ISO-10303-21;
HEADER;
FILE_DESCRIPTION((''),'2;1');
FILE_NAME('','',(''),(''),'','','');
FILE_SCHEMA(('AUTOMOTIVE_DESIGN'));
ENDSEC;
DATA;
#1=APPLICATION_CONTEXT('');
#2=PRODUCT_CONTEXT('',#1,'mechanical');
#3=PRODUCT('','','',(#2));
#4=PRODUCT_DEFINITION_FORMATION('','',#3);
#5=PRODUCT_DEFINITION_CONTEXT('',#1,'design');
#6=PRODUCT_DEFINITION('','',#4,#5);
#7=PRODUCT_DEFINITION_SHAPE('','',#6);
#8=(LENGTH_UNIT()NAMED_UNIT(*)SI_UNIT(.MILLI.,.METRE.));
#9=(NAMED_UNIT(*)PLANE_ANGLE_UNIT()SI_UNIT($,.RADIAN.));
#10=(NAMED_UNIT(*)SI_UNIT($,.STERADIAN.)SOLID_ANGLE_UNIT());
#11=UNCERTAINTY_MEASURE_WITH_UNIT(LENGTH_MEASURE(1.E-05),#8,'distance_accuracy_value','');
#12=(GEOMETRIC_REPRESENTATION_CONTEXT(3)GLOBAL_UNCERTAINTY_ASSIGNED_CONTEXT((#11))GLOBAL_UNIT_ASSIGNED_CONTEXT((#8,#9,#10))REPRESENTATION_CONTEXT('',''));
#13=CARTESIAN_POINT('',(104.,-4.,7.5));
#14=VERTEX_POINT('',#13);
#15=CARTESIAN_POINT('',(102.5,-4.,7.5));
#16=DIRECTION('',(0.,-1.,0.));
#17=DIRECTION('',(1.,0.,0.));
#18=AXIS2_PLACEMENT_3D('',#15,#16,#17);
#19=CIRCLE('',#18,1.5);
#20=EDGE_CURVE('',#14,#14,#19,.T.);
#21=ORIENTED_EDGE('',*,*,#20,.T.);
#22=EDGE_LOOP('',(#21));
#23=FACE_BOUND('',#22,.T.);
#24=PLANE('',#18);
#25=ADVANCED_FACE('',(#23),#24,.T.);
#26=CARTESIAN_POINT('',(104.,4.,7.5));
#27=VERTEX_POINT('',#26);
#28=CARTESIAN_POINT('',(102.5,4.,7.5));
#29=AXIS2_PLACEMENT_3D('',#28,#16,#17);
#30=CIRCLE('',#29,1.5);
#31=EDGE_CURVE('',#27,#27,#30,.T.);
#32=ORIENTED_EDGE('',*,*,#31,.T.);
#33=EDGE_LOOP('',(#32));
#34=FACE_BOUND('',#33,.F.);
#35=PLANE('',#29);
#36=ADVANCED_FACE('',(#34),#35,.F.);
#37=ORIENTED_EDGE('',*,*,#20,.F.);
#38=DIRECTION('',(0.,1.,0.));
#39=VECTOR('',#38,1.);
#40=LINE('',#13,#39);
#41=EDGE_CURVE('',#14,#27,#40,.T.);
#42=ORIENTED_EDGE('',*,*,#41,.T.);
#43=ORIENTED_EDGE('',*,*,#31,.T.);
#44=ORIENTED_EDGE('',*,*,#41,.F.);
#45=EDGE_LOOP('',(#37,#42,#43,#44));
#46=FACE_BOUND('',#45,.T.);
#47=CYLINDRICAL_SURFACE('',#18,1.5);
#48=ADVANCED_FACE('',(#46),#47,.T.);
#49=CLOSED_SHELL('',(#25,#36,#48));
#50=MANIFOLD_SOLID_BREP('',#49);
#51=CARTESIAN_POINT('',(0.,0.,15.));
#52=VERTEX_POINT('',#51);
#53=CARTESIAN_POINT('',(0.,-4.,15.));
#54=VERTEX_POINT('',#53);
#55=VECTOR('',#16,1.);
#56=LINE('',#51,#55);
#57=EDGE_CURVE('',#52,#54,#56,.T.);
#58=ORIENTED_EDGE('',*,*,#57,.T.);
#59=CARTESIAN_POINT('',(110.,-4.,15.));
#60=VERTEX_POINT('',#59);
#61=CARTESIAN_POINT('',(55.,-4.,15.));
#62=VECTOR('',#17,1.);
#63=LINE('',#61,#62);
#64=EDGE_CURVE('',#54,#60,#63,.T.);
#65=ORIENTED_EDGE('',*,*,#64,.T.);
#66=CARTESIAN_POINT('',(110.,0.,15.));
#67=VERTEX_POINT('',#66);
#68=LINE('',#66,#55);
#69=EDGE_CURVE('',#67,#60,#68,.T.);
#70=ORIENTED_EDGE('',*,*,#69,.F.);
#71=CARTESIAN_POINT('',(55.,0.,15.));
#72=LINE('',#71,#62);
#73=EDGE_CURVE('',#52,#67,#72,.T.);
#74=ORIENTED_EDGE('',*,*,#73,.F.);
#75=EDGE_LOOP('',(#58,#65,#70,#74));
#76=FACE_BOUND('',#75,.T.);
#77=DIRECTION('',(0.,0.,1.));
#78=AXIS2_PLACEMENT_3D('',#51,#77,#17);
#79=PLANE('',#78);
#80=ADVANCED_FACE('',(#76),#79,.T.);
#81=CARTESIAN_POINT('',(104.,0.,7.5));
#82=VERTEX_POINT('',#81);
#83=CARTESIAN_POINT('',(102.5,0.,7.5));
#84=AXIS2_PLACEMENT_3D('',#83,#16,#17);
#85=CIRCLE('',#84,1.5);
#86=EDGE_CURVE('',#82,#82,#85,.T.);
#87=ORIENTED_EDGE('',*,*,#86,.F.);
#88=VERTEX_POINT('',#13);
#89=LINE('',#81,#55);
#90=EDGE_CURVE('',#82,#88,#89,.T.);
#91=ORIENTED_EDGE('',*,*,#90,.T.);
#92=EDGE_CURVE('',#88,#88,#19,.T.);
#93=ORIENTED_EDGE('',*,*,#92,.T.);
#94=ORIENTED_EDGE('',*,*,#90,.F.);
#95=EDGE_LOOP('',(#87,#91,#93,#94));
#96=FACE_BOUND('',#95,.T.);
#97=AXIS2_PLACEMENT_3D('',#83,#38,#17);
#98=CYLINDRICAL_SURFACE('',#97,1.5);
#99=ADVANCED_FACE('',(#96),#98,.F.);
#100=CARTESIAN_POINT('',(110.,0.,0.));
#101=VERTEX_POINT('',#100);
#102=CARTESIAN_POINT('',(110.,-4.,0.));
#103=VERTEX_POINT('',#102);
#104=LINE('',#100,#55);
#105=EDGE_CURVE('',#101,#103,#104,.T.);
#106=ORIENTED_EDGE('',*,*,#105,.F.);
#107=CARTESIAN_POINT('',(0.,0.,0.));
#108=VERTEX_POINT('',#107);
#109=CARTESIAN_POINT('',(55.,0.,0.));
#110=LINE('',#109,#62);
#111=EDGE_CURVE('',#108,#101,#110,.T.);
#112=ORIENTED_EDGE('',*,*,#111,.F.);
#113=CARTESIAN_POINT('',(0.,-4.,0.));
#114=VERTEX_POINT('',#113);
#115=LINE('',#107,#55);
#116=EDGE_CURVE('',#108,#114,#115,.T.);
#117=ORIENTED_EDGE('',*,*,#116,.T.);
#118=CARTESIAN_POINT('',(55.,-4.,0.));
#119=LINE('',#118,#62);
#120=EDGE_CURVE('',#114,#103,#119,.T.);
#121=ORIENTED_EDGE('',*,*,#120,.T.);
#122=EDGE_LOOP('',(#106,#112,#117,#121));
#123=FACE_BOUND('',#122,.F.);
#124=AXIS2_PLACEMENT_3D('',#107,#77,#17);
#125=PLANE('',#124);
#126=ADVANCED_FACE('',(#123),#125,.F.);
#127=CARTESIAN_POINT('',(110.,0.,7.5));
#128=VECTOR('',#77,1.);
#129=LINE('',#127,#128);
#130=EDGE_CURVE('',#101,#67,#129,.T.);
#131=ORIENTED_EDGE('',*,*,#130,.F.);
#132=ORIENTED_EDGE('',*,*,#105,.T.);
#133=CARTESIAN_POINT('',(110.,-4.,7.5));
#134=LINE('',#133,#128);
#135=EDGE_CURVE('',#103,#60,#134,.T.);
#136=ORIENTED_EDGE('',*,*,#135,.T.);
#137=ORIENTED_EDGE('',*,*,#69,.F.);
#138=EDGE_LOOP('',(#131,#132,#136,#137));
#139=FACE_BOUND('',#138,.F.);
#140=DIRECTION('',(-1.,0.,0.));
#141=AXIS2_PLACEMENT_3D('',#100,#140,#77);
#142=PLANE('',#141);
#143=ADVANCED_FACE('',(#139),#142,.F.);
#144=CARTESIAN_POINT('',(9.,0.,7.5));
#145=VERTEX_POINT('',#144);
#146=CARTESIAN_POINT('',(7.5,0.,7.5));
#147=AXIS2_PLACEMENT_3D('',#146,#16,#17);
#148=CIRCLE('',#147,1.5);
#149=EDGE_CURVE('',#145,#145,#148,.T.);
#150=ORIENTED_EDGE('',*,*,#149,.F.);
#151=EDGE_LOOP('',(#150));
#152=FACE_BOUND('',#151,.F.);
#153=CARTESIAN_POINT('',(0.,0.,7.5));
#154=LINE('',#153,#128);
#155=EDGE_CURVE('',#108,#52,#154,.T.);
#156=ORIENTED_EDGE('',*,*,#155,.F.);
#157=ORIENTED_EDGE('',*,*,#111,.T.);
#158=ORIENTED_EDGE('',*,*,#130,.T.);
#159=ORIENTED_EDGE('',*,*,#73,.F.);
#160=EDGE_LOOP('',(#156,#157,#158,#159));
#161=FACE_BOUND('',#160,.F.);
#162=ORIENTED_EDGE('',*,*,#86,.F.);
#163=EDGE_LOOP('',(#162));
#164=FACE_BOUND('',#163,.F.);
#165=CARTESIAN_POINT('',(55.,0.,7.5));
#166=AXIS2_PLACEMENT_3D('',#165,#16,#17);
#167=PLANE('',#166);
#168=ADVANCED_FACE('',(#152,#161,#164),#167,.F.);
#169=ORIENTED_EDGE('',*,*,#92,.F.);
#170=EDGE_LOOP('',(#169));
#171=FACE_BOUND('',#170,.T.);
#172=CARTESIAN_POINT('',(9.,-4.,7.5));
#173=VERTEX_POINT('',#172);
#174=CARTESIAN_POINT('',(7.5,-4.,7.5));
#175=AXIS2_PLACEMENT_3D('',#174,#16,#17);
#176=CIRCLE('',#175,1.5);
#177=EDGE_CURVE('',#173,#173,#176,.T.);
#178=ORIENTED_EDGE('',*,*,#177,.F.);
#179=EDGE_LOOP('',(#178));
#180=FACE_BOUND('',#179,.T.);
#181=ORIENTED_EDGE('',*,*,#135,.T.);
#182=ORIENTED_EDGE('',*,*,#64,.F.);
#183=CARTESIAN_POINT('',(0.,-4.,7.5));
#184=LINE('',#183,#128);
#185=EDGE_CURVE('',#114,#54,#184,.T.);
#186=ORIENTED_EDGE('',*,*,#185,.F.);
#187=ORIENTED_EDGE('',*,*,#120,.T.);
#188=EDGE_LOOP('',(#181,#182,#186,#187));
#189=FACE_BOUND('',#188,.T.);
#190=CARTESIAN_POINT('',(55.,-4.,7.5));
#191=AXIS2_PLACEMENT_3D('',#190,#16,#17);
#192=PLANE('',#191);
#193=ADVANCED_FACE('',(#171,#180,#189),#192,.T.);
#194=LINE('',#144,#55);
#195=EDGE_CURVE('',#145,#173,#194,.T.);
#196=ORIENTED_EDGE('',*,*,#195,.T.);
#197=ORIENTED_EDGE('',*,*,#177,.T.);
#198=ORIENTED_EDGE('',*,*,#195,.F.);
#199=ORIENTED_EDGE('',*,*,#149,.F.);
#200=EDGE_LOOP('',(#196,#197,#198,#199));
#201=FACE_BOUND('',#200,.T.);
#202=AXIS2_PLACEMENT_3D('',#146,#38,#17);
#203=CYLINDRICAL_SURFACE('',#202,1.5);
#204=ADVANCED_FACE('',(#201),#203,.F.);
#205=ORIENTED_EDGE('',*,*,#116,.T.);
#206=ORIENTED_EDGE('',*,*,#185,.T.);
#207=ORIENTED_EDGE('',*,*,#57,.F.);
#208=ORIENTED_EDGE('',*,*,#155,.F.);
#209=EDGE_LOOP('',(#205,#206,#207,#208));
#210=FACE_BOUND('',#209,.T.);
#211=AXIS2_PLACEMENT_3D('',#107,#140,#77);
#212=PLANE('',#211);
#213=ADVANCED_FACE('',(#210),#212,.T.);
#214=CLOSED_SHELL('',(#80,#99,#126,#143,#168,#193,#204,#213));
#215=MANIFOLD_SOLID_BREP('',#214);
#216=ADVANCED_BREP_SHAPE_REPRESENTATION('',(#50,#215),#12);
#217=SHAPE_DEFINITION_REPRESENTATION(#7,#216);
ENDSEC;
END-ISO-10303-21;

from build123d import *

# Parameters (mm, degrees)
F0_W     = 110
F0_H     = 15
F0_R     = 1.5
F1_DEPTH = 4
F2_R     = 1.5
F3_DEPTH = 8


with BuildPart() as f1:
    # F0 (on Front) → F1 (new body)
    with BuildSketch(Plane.XZ):
        with Locations((55, 7.5)):
            Rectangle(F0_W, F0_H)
        with Locations((7.5, 7.5)):
            Circle(F0_R, mode=Mode.SUBTRACT)
        with Locations((102.5, 7.5)):
            Circle(F0_R, mode=Mode.SUBTRACT)
    extrude(amount=F1_DEPTH)


with BuildPart() as f3:
    # F2 (on face) → F3 (new body)
    with BuildSketch(Plane.XZ.offset(4)):
        with Locations((102.5, 7.5)):
            Circle(F2_R)
    extrude(amount=-F3_DEPTH)


solid = Compound([f1.part, f3.part])
